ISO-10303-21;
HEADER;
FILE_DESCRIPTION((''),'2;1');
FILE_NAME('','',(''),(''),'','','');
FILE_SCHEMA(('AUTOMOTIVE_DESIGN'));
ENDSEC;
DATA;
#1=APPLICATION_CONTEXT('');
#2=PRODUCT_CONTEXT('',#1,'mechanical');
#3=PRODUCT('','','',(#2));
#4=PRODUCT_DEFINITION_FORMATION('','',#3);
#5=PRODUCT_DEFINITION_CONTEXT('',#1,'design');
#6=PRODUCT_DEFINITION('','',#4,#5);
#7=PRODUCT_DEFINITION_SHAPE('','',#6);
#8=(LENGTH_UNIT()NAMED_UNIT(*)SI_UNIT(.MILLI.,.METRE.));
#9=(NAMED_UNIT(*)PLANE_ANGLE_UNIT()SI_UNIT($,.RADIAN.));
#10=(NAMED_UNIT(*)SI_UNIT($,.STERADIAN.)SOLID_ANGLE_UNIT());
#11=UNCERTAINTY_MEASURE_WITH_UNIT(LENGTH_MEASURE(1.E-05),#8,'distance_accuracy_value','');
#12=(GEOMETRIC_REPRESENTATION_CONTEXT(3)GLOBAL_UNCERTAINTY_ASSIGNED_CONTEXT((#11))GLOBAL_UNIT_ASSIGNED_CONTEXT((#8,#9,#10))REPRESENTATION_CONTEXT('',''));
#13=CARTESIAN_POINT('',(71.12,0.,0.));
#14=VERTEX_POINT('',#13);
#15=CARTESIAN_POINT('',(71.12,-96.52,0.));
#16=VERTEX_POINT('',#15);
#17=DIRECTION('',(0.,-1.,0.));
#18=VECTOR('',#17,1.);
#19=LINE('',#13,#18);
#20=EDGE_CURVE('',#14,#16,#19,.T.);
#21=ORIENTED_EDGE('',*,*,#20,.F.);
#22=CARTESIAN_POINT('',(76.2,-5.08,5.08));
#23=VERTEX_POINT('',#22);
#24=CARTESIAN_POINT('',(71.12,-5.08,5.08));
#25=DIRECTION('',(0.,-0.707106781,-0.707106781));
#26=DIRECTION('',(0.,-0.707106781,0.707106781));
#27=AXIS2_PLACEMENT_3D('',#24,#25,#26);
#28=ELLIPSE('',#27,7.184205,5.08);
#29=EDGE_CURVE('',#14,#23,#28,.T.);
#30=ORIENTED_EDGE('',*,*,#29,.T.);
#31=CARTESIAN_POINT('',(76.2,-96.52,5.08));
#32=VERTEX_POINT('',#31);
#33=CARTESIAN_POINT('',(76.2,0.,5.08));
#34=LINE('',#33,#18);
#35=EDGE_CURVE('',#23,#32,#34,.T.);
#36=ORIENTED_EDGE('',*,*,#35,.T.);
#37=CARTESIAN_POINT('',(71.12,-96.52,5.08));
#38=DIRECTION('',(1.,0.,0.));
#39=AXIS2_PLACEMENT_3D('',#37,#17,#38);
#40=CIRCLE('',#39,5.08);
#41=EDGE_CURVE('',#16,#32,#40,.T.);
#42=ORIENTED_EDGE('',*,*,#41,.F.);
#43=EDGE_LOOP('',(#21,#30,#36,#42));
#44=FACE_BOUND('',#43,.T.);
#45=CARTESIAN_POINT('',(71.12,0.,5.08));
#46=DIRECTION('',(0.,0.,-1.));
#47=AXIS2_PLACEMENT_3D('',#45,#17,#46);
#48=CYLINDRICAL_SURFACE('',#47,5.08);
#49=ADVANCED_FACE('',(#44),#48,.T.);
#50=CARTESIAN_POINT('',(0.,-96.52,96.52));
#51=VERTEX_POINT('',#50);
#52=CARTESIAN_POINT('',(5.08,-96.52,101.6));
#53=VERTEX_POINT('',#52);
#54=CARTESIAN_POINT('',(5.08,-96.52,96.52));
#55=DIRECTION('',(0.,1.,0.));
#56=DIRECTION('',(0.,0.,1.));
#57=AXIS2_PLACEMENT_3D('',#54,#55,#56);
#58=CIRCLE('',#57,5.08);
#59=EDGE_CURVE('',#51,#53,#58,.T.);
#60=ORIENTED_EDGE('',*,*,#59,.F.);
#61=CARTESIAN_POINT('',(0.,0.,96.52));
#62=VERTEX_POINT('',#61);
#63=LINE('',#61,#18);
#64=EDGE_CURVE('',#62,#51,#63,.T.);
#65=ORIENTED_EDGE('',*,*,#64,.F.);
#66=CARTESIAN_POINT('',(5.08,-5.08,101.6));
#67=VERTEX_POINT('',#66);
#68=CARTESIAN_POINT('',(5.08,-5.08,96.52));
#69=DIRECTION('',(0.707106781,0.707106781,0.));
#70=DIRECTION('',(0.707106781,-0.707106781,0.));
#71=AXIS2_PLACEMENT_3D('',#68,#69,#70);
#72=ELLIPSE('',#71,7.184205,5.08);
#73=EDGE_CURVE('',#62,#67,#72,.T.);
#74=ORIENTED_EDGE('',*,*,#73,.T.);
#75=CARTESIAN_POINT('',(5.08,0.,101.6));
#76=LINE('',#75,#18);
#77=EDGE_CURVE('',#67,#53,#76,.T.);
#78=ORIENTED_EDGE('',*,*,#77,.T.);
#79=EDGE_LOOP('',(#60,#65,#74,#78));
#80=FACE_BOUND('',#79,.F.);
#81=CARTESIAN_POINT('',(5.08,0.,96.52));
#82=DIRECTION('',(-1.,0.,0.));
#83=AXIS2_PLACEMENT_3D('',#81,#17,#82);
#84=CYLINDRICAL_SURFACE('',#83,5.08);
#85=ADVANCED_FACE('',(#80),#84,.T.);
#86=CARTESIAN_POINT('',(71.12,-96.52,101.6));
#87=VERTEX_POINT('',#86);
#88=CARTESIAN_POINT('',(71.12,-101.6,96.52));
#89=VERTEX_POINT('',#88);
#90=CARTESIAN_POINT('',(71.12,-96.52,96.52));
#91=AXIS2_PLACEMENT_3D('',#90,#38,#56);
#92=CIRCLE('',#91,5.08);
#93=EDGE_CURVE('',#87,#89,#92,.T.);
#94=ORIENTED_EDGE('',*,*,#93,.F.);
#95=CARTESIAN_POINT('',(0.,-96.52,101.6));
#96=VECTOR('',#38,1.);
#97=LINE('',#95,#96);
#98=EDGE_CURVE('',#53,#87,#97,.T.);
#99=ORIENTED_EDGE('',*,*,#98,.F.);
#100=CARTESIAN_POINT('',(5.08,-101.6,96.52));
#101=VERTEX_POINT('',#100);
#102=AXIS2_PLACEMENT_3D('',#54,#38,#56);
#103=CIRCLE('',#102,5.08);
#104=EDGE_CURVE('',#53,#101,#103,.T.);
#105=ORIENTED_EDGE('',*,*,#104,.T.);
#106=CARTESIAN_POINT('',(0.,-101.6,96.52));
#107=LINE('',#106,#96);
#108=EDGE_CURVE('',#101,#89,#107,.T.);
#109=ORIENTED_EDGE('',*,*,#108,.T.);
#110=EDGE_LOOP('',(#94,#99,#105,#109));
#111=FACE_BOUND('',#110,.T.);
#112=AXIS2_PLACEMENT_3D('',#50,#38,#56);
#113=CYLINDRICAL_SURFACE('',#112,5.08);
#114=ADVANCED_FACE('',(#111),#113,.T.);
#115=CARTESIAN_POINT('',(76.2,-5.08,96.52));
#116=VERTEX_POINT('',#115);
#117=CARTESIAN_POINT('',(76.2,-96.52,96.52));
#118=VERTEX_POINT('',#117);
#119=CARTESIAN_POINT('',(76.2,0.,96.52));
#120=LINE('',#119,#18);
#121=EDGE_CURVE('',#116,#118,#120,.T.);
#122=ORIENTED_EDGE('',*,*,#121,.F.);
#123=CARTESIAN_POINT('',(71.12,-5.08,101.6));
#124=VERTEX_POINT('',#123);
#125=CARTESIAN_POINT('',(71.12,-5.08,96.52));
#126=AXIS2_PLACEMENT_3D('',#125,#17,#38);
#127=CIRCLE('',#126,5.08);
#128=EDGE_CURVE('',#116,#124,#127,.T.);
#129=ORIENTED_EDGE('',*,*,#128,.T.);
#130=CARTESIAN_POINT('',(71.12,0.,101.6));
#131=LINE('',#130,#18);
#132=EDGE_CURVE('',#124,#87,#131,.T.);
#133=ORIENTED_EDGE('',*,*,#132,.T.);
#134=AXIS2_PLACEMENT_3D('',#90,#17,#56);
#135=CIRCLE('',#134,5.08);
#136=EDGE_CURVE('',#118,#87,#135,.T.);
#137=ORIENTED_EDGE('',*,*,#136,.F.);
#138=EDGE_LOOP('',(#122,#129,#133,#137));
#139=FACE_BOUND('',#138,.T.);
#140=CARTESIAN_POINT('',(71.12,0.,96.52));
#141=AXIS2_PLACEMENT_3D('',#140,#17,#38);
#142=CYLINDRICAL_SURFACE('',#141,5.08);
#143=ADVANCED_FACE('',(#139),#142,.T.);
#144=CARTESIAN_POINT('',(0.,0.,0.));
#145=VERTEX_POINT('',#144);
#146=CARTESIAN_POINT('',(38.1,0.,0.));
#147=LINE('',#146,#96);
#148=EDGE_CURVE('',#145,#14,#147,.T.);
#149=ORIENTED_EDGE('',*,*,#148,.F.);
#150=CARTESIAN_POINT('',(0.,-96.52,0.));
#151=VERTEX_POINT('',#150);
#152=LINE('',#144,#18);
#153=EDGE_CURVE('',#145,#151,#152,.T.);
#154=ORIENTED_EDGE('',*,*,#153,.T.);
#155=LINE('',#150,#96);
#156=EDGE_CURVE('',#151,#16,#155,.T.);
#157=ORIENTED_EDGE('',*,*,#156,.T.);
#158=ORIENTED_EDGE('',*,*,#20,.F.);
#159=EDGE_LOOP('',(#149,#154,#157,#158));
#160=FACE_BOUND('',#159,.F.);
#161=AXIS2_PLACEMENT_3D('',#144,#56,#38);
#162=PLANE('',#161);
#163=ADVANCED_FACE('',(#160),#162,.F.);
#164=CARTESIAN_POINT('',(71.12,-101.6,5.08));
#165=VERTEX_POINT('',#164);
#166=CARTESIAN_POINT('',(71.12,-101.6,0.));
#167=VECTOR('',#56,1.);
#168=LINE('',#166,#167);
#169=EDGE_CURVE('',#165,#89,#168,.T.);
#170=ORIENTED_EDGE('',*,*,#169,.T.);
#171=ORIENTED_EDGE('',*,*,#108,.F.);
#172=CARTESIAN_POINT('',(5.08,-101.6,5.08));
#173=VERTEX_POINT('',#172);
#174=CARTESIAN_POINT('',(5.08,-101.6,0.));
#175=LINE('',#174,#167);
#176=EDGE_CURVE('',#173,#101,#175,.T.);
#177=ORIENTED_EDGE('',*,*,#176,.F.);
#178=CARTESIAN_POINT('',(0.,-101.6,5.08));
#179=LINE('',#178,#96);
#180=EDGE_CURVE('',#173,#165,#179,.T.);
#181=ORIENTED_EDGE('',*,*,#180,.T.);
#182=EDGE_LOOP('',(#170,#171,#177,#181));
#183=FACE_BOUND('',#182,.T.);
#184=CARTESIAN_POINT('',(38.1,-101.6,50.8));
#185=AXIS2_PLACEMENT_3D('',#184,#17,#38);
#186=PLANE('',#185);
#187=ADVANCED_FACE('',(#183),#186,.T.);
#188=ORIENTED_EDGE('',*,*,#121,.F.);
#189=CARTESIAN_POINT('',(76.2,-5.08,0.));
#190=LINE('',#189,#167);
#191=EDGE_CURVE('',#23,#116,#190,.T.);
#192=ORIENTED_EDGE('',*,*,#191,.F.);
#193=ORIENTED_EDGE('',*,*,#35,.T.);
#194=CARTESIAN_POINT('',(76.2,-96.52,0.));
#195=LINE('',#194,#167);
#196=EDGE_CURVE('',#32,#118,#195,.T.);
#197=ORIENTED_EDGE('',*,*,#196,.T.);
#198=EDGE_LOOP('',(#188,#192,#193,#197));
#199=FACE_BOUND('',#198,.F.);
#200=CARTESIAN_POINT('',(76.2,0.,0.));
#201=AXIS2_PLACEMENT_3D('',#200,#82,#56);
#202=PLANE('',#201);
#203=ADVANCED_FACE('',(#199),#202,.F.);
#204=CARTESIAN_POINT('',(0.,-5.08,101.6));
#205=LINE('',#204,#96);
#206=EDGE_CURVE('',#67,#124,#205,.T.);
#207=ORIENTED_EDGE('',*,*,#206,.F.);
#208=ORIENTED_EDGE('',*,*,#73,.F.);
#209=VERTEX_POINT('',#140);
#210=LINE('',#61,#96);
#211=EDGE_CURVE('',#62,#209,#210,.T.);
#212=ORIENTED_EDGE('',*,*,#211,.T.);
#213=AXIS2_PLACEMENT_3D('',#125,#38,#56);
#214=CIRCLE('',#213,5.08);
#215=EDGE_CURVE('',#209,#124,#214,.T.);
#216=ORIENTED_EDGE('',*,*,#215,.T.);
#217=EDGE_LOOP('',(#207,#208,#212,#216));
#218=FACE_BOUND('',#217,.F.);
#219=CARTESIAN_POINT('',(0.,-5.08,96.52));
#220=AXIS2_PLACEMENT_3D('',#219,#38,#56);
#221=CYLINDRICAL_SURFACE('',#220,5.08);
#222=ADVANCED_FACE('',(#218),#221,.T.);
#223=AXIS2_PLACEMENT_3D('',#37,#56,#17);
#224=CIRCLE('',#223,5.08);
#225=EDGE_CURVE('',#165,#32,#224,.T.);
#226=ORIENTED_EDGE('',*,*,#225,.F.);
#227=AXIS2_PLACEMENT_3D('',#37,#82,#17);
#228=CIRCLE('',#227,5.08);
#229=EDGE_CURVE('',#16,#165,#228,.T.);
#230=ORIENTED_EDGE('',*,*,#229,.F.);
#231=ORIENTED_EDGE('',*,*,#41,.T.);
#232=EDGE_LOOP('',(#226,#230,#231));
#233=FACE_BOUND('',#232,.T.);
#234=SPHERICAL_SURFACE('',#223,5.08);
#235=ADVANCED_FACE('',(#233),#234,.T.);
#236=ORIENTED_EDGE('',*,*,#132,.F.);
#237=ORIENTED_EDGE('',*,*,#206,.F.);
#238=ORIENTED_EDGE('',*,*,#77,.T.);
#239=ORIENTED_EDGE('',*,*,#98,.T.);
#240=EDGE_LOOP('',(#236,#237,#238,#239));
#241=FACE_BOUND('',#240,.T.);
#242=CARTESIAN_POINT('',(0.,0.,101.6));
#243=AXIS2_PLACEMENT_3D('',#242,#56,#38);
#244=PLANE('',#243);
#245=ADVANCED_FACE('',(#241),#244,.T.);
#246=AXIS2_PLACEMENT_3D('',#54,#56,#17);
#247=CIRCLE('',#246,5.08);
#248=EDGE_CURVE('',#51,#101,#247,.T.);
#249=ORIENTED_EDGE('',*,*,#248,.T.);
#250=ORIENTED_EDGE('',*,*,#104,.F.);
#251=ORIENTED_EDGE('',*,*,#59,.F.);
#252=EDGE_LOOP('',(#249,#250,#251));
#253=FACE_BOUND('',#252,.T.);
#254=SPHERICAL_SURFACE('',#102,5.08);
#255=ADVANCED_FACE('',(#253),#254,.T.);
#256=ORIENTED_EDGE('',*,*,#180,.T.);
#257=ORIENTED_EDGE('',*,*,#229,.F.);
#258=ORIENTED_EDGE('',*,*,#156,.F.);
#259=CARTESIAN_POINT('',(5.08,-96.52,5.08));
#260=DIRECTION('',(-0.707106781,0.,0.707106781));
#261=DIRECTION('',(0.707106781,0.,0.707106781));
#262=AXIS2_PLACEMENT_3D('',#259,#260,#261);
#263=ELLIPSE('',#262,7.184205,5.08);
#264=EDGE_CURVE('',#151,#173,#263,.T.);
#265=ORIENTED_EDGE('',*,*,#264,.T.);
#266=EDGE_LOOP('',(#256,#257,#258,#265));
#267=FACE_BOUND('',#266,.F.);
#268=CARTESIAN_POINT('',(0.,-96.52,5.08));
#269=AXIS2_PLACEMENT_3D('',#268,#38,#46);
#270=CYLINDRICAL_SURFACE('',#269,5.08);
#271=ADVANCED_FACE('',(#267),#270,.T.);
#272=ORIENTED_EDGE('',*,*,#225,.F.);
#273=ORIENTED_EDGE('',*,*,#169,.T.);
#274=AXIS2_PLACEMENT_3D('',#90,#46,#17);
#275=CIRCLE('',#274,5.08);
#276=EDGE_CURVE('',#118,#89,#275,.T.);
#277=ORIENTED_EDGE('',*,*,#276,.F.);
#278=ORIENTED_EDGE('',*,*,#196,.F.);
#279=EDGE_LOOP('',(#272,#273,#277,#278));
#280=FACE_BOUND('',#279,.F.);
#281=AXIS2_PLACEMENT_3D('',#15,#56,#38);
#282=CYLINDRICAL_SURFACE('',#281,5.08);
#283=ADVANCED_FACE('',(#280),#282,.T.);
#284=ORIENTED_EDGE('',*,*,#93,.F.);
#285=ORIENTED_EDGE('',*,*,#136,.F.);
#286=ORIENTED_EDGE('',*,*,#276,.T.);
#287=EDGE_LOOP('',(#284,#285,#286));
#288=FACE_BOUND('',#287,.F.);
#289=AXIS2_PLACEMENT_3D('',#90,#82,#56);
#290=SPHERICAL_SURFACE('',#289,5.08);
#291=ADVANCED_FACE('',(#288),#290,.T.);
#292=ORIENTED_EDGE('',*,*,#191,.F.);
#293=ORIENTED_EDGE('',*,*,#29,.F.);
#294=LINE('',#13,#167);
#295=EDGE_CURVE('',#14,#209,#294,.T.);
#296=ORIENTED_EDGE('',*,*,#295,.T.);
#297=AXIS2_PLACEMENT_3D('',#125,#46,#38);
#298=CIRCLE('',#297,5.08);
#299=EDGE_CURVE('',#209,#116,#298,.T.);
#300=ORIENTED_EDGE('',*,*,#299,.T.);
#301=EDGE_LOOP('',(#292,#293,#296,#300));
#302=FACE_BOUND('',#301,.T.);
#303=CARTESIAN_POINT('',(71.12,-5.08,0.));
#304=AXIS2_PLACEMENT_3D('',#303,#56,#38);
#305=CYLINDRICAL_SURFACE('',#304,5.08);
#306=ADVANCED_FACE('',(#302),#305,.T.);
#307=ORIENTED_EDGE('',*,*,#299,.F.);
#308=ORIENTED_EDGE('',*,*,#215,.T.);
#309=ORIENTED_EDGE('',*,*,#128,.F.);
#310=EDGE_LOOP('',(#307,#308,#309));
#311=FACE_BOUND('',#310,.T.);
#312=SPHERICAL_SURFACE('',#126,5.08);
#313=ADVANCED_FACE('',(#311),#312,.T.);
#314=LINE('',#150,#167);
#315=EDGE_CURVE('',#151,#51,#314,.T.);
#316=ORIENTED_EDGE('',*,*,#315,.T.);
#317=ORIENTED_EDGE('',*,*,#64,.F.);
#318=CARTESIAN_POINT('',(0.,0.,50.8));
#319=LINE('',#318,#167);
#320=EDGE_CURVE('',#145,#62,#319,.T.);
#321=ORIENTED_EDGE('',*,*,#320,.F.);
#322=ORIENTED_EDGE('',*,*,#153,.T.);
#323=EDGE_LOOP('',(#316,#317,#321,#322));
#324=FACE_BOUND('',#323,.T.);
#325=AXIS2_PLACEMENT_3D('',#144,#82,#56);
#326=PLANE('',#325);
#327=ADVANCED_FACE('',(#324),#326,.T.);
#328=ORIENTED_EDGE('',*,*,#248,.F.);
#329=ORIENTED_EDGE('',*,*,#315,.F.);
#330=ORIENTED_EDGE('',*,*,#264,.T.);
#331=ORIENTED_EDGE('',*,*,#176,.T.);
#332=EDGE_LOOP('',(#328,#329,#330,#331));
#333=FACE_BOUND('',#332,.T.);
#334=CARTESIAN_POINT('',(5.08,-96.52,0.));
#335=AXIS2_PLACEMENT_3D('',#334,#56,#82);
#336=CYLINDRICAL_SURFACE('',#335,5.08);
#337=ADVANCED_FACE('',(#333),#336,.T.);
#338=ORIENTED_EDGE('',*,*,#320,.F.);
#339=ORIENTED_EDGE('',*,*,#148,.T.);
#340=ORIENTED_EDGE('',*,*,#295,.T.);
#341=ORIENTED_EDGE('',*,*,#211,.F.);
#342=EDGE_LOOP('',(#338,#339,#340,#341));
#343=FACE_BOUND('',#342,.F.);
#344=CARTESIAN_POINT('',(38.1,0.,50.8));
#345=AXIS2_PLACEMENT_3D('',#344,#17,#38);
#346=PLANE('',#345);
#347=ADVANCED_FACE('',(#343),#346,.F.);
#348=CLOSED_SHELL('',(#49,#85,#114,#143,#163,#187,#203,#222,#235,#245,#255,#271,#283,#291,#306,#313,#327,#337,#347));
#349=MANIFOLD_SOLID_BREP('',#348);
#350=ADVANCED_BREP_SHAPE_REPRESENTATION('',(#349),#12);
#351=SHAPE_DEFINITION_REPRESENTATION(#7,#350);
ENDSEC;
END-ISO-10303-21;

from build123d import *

# Parameters (mm, degrees)
F0_W     = 76.2
F0_H     = 101.6
F1_DEPTH = 101.6
F2_R     = 5.08
F3_R     = 29.098806
F4_DEPTH = 76.2


with BuildPart() as f1:
    # F0 (on Front) → F1 (new body)
    with BuildSketch(Plane.XZ):
        with Locations((38.1, 50.8)):
            Rectangle(F0_W, F0_H)
    extrude(amount=F1_DEPTH)

    # F2
    f2_edges = [f1.edges().sort_by_distance(p)[0] for p in [
        (38.1, -101.6, 101.6),
        (0, -50.8, 101.6),
        (76.2, -50.8, 101.6),
        (76.2, -101.6, 50.8),
        (0, -101.6, 50.8),
        (38.1, -101.6, 0),
        (76.2, -50.8, 0),
        (76.2, 0, 50.8),
        (38.1, 0, 101.6),
    ]]
    fillet(f2_edges, radius=F2_R)

    # F3 (on face) → F4 (join)
    with BuildSketch(Plane.YZ.offset(76.2)):
        with Locations((-50.803576, 51.402752)):
            Circle(F3_R)
    extrude(amount=-F4_DEPTH)


solid = f1.part
